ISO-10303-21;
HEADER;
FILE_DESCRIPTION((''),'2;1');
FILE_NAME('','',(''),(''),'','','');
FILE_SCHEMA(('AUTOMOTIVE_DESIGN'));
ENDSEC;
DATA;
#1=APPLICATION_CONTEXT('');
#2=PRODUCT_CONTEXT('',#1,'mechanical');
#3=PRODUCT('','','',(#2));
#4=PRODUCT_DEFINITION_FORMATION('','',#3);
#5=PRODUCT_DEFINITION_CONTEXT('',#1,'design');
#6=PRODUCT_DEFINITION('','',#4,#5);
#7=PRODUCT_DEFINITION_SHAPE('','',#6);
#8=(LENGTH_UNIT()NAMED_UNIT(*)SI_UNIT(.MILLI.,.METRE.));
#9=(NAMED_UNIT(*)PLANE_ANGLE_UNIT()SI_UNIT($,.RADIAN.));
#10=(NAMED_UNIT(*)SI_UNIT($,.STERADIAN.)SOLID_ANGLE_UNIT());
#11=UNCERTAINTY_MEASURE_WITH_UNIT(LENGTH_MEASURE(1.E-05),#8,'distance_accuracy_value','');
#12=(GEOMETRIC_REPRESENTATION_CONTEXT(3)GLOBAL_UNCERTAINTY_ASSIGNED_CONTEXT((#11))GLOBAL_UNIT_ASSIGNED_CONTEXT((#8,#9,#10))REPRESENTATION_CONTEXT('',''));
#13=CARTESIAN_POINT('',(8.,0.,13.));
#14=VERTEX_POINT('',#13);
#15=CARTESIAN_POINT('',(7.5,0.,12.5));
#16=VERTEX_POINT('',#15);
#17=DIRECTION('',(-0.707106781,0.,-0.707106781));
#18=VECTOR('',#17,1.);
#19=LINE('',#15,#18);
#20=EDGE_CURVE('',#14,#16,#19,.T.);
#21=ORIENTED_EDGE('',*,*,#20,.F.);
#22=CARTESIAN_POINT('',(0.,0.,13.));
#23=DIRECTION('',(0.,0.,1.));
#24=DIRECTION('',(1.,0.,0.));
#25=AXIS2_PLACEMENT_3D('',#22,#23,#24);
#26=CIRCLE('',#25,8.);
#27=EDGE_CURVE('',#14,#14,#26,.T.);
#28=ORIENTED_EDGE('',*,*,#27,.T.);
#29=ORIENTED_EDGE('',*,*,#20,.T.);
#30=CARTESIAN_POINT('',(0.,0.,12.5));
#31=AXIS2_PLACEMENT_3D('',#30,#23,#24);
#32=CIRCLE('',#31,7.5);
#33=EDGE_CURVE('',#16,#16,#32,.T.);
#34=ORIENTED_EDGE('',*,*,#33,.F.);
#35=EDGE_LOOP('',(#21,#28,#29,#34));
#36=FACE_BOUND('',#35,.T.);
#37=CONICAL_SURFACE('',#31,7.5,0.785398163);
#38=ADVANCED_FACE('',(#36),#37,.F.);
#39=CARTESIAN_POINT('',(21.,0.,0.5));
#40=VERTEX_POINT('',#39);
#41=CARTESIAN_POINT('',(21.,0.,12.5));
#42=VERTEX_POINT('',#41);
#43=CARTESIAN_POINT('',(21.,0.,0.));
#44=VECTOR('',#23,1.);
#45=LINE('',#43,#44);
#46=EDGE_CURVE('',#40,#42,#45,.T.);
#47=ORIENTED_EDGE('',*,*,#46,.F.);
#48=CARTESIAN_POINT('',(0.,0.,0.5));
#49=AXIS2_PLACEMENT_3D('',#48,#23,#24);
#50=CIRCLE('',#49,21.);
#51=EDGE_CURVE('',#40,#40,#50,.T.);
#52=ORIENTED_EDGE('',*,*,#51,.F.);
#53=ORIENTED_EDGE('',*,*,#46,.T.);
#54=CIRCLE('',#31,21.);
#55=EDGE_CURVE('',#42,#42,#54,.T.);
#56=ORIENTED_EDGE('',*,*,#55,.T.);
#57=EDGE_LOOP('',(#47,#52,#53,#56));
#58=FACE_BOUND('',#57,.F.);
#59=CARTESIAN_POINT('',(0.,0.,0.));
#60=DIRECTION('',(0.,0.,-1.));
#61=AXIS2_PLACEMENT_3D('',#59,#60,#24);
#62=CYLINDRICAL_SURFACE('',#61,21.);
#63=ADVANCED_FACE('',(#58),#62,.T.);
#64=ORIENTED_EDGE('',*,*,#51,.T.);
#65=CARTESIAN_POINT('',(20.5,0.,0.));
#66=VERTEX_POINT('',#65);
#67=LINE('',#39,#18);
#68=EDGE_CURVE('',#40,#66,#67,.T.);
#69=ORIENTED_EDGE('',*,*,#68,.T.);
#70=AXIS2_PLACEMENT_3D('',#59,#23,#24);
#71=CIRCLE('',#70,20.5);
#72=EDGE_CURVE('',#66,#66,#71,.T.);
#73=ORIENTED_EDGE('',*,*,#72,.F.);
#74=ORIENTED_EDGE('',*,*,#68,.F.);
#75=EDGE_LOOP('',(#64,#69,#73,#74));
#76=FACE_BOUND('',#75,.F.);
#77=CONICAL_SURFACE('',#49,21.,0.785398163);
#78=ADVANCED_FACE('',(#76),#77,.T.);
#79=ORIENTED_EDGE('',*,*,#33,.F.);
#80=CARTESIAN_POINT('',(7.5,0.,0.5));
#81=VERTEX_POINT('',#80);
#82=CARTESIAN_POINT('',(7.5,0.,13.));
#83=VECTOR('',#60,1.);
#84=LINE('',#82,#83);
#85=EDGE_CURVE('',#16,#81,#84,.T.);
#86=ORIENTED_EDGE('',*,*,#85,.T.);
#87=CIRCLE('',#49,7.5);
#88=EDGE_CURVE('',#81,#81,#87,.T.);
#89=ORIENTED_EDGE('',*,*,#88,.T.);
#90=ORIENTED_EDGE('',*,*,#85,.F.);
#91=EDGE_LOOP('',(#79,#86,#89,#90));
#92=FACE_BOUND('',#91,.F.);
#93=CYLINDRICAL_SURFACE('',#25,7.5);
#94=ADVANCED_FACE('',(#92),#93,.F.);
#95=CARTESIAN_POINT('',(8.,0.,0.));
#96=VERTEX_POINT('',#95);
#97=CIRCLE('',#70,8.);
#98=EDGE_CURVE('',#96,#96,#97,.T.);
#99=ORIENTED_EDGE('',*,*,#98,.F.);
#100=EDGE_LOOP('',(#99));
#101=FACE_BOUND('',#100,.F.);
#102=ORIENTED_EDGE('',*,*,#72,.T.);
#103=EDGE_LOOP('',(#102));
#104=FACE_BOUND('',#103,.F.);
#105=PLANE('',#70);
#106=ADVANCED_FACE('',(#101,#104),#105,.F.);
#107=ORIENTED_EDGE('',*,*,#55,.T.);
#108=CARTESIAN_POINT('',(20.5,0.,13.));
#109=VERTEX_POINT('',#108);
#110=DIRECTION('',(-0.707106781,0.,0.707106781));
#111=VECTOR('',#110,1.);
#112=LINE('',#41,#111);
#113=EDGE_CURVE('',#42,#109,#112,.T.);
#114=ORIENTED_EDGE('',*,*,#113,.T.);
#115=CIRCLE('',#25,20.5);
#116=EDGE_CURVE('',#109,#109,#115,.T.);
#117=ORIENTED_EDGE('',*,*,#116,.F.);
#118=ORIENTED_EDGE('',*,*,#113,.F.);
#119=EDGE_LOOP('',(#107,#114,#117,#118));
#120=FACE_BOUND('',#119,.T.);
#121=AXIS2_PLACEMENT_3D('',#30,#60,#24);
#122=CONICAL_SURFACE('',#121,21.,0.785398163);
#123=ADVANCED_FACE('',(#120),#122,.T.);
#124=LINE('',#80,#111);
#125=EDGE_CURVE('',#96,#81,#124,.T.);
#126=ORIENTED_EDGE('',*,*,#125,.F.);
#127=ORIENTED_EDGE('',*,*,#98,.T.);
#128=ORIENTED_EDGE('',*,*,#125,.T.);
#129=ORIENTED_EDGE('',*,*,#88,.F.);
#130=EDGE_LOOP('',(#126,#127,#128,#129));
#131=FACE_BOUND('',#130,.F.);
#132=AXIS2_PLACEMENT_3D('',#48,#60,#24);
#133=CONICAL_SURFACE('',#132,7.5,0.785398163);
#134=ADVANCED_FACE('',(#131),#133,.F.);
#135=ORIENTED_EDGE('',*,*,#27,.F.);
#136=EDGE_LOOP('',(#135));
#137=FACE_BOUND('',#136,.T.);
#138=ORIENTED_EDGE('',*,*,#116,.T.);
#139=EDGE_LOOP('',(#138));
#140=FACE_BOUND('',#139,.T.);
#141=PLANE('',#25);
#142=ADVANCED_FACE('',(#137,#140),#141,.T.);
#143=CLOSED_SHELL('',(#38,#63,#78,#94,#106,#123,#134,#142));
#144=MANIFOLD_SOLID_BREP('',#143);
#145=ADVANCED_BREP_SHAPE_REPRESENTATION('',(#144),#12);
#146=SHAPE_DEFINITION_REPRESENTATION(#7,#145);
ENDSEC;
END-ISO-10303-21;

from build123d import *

# Parameters (mm, degrees)
F0_R     = 21
F1_DEPTH = 13
F2_R     = 7.5
F3_DEPTH = 37.3
F4_SIZE  = 0.5


with BuildPart() as f1:
    # F0 (on Top) → F1 (new body)
    with BuildSketch(Plane.XY):
        Circle(F0_R)
    extrude(amount=F1_DEPTH)

    # F2 (on face) → F3 (cut)
    with BuildSketch(Plane.XY.offset(13)):
        Circle(F2_R)
    extrude(amount=-F3_DEPTH, mode=Mode.SUBTRACT)

    # F4
    f4_edges = [f1.edges().sort_by_distance(p)[0] for p in [
        (-21, 0, 13),
        (-7.5, 0, 13),
        (-21, 0, 0),
        (-7.5, 0, 0),
    ]]
    chamfer(f4_edges, length=F4_SIZE)


solid = f1.part
